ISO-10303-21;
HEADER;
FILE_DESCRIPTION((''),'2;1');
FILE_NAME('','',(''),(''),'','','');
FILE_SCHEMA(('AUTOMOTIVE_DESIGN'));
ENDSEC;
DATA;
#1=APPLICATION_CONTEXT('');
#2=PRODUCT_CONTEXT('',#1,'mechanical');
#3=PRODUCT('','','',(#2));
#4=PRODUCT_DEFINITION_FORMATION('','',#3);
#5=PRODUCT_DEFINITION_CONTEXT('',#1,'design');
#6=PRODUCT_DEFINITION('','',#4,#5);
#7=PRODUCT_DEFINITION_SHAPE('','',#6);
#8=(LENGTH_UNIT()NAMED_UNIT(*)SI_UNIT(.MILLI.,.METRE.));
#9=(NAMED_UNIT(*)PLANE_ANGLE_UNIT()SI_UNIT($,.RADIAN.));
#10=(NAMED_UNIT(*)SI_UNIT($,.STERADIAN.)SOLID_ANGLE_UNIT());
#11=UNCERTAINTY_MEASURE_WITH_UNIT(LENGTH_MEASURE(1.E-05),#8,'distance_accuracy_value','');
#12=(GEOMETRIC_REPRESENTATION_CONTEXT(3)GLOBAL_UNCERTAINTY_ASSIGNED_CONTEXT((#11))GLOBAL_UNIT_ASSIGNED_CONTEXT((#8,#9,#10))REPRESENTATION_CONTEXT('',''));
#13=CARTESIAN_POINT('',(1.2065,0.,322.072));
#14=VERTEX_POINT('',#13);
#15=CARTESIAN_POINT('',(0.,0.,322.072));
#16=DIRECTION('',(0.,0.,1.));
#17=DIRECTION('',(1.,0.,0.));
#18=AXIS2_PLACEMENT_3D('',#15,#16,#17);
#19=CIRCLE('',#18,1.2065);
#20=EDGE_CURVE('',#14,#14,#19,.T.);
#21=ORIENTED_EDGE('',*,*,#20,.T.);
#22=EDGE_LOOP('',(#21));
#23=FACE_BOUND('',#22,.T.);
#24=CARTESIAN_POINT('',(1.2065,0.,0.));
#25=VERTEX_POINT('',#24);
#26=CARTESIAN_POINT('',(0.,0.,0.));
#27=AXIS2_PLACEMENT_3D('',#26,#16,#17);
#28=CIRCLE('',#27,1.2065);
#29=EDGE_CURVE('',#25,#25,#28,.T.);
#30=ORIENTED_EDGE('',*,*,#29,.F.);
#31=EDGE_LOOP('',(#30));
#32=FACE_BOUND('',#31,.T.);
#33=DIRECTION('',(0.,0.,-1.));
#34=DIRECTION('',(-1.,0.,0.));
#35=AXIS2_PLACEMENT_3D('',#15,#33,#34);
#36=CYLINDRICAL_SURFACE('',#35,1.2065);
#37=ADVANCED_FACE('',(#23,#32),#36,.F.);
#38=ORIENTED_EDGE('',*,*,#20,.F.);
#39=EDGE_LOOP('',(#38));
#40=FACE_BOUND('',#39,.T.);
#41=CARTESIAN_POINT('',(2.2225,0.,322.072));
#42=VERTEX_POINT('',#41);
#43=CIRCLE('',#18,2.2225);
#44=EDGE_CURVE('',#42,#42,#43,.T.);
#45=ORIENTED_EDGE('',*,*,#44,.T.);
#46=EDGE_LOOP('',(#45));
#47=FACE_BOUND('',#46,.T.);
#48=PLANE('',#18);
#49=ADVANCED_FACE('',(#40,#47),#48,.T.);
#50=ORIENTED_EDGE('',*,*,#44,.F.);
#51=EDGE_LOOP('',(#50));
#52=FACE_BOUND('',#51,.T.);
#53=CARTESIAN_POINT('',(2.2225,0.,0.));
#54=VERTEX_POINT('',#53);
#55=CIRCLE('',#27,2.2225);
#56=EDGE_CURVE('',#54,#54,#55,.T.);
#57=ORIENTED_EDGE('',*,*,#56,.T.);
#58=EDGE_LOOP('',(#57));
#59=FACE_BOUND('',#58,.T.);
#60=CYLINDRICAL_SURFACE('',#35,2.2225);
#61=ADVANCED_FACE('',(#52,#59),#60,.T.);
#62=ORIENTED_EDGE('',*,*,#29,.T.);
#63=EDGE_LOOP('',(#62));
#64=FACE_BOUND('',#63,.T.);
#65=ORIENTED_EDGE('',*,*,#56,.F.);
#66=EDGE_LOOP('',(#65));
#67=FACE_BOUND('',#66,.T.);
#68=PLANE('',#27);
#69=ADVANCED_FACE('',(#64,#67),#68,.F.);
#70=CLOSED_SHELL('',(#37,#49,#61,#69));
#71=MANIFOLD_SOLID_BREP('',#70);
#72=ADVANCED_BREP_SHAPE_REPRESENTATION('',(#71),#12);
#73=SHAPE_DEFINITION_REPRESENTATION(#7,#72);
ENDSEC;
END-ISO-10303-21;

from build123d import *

# Parameters (mm, degrees)
SKETCH1_R      = 2.2225
SKETCH1_R_2    = 1.2065
EXTRUDE1_DEPTH = 322.072


with BuildPart() as part:
    # Sketch1 → Extrude1 (new body)
    with BuildSketch(Plane.XY):
        Circle(SKETCH1_R)
        Circle(SKETCH1_R_2, mode=Mode.SUBTRACT)
    extrude(amount=EXTRUDE1_DEPTH)


solid = part.part
